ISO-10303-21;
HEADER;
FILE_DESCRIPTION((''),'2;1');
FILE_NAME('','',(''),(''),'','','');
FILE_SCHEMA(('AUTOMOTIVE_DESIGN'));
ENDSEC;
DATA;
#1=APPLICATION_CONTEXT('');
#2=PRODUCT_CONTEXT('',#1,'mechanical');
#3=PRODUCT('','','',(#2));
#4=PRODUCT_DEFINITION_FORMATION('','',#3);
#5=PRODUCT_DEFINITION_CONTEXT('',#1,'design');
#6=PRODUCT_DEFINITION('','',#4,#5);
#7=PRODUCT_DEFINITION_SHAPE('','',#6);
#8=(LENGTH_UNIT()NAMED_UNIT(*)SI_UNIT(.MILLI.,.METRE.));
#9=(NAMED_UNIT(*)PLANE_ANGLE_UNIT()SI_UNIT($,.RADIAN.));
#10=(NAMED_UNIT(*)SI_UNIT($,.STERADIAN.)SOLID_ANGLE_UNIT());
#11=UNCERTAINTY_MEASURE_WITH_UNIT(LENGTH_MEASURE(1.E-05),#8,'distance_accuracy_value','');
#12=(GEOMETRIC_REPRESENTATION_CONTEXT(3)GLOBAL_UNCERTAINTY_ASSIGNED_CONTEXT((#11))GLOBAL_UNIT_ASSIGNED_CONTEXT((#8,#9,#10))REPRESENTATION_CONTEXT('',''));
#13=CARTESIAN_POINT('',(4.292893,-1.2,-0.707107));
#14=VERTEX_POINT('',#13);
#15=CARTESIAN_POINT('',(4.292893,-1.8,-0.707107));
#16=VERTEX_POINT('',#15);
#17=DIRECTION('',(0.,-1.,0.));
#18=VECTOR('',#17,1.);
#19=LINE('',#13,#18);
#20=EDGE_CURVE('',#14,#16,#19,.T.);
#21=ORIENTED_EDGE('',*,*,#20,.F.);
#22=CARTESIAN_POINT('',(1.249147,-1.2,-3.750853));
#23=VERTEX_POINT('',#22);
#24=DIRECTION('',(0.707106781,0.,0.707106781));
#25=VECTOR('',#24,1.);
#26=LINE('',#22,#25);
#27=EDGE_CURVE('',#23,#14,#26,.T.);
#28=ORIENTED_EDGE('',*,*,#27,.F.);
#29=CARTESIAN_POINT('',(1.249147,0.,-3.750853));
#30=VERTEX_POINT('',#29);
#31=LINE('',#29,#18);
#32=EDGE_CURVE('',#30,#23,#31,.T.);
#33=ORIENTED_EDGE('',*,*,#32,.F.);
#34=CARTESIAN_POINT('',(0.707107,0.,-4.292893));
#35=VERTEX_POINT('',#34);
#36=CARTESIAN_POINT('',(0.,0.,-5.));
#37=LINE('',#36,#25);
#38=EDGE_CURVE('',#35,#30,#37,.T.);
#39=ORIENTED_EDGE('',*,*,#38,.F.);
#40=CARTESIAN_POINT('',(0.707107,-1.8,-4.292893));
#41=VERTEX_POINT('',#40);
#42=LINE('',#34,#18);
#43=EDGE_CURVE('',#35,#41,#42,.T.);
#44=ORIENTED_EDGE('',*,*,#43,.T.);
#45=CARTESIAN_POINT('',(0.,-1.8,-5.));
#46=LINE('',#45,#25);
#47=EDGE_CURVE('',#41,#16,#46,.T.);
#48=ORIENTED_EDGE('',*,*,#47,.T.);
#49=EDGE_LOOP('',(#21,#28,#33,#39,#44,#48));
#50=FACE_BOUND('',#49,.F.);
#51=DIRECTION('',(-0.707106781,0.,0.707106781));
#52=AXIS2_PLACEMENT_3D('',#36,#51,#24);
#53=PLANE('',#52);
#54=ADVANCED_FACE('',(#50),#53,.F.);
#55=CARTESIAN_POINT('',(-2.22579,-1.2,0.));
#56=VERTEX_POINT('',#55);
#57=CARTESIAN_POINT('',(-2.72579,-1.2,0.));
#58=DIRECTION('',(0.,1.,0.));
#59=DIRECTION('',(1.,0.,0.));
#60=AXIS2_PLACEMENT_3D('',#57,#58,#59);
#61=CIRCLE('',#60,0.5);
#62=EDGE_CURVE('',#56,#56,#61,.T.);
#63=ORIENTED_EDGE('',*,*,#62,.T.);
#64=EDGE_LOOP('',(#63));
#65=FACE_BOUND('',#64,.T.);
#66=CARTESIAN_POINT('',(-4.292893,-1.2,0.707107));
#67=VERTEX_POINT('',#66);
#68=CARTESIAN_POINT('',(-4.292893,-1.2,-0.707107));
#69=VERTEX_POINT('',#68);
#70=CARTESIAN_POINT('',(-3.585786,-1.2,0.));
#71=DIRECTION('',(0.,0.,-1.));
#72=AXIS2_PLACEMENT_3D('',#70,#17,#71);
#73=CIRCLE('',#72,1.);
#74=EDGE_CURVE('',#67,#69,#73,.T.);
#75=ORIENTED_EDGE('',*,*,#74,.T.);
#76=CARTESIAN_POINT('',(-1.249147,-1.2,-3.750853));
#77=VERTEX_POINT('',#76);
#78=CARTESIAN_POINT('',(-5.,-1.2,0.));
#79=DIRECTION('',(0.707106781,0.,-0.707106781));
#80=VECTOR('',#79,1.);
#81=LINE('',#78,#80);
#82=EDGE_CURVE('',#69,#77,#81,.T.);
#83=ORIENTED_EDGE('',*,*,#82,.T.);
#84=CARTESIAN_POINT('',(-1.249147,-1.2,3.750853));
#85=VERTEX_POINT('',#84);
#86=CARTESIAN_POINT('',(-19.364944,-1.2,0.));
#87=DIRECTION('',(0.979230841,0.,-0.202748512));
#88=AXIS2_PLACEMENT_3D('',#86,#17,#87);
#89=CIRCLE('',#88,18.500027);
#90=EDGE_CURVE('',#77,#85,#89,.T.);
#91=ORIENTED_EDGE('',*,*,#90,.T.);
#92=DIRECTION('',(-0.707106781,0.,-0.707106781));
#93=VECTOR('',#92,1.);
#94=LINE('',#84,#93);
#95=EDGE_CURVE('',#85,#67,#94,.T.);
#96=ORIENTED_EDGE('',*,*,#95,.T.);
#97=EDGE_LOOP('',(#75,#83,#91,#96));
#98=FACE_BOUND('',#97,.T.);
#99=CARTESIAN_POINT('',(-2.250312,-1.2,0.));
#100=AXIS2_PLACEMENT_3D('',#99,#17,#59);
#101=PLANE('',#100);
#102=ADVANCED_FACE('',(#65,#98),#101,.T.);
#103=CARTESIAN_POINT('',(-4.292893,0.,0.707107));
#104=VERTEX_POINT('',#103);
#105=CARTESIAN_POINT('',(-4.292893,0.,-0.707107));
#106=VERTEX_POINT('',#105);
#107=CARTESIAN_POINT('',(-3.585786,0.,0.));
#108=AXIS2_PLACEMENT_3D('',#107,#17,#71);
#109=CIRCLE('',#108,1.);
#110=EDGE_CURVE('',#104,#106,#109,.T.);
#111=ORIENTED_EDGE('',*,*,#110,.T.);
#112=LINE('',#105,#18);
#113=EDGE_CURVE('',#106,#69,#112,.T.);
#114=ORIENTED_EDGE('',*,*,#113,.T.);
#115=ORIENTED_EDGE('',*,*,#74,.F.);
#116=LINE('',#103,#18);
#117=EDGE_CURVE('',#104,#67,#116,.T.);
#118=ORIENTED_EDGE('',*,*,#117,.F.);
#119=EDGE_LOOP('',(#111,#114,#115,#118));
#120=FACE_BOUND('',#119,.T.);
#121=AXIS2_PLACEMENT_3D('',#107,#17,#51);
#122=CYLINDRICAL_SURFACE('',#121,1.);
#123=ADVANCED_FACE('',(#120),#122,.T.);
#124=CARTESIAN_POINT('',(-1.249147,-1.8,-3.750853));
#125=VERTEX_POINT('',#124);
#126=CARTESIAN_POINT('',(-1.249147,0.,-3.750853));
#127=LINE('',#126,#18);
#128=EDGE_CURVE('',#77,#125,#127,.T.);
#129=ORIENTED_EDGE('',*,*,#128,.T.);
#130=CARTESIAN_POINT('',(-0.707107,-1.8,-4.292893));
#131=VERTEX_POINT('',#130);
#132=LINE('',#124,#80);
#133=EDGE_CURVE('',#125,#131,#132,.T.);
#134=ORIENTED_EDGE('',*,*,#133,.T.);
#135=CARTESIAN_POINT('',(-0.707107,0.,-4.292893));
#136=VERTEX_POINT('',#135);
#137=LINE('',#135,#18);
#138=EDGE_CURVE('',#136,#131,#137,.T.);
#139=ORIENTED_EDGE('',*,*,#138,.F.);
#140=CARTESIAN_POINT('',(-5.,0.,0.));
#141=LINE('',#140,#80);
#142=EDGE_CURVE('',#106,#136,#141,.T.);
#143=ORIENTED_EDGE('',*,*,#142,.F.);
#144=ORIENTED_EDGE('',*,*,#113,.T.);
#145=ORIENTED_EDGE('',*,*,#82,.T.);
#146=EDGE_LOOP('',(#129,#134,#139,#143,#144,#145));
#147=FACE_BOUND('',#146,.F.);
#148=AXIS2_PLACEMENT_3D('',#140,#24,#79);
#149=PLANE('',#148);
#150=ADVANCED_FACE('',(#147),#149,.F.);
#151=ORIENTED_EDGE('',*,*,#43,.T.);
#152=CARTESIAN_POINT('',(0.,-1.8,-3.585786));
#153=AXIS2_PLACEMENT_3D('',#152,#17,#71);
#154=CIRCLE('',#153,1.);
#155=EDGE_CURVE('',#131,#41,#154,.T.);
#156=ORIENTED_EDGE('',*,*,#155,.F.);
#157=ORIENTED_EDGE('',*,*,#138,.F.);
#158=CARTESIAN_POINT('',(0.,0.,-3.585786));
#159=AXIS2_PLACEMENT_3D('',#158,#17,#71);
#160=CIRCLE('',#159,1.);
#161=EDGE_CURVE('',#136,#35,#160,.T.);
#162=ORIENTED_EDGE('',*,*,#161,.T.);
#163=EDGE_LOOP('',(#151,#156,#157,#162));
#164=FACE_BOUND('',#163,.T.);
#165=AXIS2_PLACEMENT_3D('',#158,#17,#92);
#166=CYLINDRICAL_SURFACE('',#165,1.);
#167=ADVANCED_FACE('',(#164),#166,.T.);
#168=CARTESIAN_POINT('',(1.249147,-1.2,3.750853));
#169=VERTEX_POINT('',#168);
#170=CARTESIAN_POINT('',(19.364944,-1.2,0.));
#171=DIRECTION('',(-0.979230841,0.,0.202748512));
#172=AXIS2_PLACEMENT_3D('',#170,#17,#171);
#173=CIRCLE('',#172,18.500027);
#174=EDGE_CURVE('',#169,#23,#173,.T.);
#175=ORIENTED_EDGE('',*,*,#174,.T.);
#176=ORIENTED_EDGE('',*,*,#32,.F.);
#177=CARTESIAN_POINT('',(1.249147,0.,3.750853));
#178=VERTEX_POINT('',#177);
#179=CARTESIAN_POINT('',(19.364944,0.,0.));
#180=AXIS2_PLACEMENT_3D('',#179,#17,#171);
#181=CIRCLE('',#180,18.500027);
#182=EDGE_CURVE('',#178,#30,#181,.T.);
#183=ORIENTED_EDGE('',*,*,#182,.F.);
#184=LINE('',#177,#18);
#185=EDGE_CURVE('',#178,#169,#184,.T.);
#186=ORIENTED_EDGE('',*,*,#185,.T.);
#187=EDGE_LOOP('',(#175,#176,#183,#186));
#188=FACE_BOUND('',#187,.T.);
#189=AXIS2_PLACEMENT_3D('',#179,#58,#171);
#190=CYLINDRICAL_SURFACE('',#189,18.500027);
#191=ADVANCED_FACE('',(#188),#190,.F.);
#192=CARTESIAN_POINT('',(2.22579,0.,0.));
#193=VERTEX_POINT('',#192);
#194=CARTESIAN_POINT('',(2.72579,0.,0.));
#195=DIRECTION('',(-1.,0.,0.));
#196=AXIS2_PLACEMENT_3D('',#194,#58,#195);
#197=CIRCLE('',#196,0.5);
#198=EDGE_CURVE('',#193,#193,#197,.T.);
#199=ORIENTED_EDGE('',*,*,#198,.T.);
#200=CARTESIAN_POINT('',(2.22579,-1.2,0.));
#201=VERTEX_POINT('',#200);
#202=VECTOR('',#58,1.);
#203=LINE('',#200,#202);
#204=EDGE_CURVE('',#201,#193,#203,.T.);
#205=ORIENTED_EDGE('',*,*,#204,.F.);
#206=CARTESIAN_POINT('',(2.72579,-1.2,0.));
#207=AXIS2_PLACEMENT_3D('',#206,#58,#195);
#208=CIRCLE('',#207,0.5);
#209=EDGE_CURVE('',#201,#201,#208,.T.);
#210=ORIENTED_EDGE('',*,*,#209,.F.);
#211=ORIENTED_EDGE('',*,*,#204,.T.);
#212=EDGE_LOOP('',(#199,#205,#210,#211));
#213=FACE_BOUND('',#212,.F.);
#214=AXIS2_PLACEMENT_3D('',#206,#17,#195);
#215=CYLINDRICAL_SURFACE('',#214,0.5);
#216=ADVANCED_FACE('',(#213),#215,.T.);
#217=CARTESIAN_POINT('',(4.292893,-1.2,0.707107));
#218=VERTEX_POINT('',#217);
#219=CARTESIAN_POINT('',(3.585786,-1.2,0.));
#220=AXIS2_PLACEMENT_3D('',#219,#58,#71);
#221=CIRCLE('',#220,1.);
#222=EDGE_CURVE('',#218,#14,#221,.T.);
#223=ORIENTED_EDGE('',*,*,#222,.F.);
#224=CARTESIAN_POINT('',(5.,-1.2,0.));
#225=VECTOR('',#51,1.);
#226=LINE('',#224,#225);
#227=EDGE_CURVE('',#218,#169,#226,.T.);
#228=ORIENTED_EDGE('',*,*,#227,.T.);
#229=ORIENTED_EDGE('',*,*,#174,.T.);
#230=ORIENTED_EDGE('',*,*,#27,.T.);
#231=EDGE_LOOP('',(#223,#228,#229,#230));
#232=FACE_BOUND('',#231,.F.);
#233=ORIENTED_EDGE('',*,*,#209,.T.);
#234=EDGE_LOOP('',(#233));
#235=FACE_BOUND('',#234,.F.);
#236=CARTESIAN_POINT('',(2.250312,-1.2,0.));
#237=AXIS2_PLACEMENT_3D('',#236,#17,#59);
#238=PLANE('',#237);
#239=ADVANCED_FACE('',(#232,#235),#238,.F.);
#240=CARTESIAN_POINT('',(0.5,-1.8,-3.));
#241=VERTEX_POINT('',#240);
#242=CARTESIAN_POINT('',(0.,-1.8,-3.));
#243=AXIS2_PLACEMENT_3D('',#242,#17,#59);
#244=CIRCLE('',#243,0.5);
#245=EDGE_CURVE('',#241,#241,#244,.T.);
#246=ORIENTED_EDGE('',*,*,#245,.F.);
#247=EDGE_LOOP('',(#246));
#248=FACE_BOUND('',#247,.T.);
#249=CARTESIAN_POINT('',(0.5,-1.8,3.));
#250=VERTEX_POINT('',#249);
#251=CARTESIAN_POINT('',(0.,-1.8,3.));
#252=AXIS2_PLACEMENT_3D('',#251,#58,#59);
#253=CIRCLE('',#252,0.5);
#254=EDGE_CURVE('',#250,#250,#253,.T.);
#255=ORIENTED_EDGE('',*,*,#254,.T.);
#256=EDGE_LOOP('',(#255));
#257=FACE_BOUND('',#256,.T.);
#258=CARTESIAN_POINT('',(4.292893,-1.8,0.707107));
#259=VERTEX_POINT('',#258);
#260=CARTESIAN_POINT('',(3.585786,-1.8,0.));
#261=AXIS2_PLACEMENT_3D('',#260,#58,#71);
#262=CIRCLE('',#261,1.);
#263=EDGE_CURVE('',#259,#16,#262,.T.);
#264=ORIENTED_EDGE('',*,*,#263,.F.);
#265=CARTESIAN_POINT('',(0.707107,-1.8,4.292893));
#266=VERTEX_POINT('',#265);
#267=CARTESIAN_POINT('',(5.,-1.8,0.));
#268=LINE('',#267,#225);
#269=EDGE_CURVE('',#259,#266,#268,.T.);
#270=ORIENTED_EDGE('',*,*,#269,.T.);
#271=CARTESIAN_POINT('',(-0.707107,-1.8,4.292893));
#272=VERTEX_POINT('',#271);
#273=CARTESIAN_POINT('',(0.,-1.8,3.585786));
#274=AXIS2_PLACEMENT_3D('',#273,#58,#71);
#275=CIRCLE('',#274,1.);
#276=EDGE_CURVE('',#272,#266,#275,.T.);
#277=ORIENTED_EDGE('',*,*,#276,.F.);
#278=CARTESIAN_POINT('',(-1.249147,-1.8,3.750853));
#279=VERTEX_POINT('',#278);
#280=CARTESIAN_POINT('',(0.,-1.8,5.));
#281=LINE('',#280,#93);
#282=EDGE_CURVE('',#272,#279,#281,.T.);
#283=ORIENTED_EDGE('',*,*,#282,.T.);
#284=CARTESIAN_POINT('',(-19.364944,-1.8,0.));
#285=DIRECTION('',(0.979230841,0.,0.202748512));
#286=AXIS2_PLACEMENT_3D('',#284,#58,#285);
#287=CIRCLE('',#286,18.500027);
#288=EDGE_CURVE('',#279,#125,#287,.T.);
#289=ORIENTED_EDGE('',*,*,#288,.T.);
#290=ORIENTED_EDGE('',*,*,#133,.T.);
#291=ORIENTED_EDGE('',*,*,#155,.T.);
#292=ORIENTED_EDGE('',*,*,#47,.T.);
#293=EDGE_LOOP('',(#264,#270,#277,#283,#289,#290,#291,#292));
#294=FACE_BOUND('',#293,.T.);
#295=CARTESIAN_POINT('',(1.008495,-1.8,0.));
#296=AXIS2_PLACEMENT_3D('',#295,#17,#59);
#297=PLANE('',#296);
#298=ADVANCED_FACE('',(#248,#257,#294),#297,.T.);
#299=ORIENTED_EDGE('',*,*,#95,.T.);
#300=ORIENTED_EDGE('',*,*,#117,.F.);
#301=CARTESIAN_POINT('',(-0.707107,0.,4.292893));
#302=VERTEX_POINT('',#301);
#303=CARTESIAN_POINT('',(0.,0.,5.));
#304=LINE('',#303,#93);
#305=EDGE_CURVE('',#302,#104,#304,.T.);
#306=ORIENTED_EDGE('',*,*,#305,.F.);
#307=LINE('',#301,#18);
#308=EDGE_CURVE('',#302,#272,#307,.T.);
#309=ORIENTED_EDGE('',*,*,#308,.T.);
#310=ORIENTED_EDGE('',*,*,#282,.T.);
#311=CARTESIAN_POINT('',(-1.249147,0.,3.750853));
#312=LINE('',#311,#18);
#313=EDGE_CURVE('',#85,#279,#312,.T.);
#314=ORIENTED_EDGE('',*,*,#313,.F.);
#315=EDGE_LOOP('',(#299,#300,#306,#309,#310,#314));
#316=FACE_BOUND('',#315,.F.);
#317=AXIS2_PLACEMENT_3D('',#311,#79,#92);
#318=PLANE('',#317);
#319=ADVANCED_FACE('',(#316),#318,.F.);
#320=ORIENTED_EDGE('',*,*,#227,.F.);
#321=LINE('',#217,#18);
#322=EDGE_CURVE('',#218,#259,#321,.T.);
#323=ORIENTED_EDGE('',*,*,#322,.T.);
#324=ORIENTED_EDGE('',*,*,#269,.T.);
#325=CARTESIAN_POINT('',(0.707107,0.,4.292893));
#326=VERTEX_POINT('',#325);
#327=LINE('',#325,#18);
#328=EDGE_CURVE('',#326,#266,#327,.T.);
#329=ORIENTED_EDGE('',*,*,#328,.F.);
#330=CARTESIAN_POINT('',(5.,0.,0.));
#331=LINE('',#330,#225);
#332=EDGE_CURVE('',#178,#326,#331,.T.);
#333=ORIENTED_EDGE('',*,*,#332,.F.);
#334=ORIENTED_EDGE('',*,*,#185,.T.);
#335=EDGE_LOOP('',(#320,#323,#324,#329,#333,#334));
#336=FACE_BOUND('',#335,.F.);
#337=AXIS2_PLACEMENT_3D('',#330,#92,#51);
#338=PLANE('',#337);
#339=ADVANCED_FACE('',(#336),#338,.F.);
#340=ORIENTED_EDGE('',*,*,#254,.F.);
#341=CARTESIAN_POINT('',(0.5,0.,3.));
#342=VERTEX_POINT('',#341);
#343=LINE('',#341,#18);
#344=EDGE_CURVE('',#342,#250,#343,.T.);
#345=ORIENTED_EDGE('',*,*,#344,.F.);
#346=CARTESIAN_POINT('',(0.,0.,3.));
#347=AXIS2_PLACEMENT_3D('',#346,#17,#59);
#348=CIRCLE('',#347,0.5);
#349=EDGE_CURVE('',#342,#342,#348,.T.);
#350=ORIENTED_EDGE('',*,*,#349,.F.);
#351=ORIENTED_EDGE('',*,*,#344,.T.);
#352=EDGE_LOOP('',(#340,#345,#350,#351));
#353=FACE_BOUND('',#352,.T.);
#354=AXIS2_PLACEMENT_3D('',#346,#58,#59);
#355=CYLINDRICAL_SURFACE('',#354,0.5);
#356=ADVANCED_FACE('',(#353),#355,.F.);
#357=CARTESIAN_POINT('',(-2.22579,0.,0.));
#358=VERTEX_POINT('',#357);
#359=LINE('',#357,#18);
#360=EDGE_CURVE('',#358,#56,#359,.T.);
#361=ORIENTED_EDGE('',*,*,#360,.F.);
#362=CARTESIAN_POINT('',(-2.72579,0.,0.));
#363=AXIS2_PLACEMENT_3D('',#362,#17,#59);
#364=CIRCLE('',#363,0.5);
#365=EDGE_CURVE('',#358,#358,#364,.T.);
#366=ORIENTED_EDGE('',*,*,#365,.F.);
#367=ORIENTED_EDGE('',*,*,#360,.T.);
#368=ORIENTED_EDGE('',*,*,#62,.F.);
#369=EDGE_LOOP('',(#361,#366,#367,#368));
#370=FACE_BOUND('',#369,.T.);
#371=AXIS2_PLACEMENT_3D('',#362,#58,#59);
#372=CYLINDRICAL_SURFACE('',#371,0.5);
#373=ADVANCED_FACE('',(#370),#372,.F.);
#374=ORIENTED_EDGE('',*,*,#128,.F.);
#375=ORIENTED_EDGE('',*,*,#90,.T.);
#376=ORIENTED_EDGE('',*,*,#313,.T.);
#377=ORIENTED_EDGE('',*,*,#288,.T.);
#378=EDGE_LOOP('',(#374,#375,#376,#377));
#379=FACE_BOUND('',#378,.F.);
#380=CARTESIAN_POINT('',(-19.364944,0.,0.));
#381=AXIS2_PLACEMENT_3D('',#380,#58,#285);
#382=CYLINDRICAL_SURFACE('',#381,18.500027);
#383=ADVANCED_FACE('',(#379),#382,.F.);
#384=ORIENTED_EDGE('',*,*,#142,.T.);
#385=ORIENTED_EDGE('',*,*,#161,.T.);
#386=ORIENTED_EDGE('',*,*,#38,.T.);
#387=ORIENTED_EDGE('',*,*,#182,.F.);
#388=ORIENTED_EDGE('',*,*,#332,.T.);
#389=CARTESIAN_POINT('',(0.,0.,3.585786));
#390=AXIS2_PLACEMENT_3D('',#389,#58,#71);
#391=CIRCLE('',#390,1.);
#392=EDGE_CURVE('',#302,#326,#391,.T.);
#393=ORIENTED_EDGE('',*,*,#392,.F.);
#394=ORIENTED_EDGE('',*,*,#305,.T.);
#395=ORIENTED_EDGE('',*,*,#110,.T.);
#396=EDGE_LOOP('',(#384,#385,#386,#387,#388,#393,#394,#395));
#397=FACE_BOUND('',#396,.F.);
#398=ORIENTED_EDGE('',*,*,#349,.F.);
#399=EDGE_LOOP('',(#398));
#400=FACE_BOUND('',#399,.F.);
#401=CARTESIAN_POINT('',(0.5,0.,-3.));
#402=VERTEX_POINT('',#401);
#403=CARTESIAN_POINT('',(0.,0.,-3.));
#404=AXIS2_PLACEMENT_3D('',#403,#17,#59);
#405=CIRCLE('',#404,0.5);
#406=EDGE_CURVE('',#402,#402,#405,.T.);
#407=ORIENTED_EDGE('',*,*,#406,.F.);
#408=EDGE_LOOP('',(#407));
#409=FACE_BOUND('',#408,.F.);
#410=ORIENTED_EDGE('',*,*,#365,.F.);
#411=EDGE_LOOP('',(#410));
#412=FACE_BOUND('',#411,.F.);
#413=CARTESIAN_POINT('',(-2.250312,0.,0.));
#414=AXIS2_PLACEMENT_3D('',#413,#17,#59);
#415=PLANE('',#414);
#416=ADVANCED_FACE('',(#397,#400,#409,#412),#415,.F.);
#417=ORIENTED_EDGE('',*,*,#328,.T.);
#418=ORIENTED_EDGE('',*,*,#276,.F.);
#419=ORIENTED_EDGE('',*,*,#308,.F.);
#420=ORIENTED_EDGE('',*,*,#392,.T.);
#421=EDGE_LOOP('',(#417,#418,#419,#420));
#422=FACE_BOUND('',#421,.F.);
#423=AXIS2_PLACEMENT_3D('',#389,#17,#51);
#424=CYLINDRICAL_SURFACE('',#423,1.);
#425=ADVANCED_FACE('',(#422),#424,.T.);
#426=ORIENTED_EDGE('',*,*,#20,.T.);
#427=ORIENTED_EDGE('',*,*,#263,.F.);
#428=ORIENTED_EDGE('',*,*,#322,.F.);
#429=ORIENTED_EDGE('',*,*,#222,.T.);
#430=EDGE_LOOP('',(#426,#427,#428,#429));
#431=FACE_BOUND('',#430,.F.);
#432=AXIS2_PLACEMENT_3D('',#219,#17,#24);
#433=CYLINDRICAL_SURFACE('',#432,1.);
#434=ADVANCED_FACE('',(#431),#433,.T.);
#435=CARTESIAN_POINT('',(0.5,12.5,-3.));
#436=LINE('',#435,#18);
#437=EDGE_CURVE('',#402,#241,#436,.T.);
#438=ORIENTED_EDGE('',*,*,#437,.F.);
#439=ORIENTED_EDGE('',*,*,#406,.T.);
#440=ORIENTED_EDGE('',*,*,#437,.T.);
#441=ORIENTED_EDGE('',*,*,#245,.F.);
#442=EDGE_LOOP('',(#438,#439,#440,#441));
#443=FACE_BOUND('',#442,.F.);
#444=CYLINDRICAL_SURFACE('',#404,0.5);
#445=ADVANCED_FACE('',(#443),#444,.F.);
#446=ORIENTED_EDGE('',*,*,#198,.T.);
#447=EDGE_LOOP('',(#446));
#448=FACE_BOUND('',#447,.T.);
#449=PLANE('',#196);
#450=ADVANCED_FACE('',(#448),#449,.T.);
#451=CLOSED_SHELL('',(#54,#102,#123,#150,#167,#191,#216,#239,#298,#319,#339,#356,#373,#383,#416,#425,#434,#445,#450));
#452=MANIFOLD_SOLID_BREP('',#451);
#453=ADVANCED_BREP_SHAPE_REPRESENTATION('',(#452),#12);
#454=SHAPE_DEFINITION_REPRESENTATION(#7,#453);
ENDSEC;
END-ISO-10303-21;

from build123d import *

# Parameters (mm, degrees)
F1_DEPTH = 1.8
F2_DEPTH = 1.2
F4_DEPTH = 1.2
F5_R     = 1
F6_R     = 0.5
F7_DEPTH = 12.5
F8_R     = 0.5
F9_DEPTH = 1.2


with BuildPart() as f1:
    # F0 (on Front) → F1 (new body)
    with BuildSketch(Plane.XZ):
        with BuildLine():
            Line((5, 0), (0, 5))
            Line((0, 5), (-1.249147, 3.750853))
            ThreePointArc((-1.249147, 3.750853), (-0.864917, 0), (-1.249147, -3.750853))
            Line((-1.249147, -3.750853), (0, -5))
            Line((0, -5), (5, 0))
        make_face()
    extrude(amount=F1_DEPTH)

    # F0 (on Front) → F2 (join)
    with BuildSketch(Plane.XZ):
        with BuildLine():
            ThreePointArc((-1.249147, -3.750853), (-0.864917, 0), (-1.249147, 3.750853))
            Line((-1.249147, 3.750853), (-5, 0))
            Line((-5, 0), (-1.249147, -3.750853))
        make_face()
    extrude(amount=F2_DEPTH)

    # F3 (on face) → F4 (cut)
    with BuildSketch(Plane.XZ):
        with BuildLine():
            ThreePointArc((1.249147, 3.750853), (0.864917, 0), (1.249147, -3.750853))
            Line((1.249147, -3.750853), (5, 0))
            Line((5, 0), (1.249147, 3.750853))
        make_face()
    extrude(amount=F4_DEPTH, mode=Mode.SUBTRACT)

    # F5
    f5_edges = [f1.edges().sort_by_distance(p)[0] for p in [
        (0, -0.9, 5),
        (5, -1.5, 0),
        (0, -0.9, -5),
        (-5, -0.6, 0),
    ]]
    fillet(f5_edges, radius=F5_R)

    # F6 (on Front) → F7 (cut, symmetric)
    with BuildSketch(Plane.XZ):
        with Locations((-2.72579, 0)):
            Circle(F6_R)
        with Locations((0, 3)):
            Circle(F6_R)
        with Locations((0, -3)):
            Circle(F6_R)
    extrude(amount=F7_DEPTH, both=True, mode=Mode.SUBTRACT)

    # F8 (on face) → F9 (join)
    with BuildSketch(Plane(origin=(0, -1.2, 0), x_dir=(-1, 0, 0), z_dir=(0, 1, 0))):
        with Locations((-2.72579, 0)):
            Circle(F8_R)
    extrude(amount=F9_DEPTH)


solid = f1.part
